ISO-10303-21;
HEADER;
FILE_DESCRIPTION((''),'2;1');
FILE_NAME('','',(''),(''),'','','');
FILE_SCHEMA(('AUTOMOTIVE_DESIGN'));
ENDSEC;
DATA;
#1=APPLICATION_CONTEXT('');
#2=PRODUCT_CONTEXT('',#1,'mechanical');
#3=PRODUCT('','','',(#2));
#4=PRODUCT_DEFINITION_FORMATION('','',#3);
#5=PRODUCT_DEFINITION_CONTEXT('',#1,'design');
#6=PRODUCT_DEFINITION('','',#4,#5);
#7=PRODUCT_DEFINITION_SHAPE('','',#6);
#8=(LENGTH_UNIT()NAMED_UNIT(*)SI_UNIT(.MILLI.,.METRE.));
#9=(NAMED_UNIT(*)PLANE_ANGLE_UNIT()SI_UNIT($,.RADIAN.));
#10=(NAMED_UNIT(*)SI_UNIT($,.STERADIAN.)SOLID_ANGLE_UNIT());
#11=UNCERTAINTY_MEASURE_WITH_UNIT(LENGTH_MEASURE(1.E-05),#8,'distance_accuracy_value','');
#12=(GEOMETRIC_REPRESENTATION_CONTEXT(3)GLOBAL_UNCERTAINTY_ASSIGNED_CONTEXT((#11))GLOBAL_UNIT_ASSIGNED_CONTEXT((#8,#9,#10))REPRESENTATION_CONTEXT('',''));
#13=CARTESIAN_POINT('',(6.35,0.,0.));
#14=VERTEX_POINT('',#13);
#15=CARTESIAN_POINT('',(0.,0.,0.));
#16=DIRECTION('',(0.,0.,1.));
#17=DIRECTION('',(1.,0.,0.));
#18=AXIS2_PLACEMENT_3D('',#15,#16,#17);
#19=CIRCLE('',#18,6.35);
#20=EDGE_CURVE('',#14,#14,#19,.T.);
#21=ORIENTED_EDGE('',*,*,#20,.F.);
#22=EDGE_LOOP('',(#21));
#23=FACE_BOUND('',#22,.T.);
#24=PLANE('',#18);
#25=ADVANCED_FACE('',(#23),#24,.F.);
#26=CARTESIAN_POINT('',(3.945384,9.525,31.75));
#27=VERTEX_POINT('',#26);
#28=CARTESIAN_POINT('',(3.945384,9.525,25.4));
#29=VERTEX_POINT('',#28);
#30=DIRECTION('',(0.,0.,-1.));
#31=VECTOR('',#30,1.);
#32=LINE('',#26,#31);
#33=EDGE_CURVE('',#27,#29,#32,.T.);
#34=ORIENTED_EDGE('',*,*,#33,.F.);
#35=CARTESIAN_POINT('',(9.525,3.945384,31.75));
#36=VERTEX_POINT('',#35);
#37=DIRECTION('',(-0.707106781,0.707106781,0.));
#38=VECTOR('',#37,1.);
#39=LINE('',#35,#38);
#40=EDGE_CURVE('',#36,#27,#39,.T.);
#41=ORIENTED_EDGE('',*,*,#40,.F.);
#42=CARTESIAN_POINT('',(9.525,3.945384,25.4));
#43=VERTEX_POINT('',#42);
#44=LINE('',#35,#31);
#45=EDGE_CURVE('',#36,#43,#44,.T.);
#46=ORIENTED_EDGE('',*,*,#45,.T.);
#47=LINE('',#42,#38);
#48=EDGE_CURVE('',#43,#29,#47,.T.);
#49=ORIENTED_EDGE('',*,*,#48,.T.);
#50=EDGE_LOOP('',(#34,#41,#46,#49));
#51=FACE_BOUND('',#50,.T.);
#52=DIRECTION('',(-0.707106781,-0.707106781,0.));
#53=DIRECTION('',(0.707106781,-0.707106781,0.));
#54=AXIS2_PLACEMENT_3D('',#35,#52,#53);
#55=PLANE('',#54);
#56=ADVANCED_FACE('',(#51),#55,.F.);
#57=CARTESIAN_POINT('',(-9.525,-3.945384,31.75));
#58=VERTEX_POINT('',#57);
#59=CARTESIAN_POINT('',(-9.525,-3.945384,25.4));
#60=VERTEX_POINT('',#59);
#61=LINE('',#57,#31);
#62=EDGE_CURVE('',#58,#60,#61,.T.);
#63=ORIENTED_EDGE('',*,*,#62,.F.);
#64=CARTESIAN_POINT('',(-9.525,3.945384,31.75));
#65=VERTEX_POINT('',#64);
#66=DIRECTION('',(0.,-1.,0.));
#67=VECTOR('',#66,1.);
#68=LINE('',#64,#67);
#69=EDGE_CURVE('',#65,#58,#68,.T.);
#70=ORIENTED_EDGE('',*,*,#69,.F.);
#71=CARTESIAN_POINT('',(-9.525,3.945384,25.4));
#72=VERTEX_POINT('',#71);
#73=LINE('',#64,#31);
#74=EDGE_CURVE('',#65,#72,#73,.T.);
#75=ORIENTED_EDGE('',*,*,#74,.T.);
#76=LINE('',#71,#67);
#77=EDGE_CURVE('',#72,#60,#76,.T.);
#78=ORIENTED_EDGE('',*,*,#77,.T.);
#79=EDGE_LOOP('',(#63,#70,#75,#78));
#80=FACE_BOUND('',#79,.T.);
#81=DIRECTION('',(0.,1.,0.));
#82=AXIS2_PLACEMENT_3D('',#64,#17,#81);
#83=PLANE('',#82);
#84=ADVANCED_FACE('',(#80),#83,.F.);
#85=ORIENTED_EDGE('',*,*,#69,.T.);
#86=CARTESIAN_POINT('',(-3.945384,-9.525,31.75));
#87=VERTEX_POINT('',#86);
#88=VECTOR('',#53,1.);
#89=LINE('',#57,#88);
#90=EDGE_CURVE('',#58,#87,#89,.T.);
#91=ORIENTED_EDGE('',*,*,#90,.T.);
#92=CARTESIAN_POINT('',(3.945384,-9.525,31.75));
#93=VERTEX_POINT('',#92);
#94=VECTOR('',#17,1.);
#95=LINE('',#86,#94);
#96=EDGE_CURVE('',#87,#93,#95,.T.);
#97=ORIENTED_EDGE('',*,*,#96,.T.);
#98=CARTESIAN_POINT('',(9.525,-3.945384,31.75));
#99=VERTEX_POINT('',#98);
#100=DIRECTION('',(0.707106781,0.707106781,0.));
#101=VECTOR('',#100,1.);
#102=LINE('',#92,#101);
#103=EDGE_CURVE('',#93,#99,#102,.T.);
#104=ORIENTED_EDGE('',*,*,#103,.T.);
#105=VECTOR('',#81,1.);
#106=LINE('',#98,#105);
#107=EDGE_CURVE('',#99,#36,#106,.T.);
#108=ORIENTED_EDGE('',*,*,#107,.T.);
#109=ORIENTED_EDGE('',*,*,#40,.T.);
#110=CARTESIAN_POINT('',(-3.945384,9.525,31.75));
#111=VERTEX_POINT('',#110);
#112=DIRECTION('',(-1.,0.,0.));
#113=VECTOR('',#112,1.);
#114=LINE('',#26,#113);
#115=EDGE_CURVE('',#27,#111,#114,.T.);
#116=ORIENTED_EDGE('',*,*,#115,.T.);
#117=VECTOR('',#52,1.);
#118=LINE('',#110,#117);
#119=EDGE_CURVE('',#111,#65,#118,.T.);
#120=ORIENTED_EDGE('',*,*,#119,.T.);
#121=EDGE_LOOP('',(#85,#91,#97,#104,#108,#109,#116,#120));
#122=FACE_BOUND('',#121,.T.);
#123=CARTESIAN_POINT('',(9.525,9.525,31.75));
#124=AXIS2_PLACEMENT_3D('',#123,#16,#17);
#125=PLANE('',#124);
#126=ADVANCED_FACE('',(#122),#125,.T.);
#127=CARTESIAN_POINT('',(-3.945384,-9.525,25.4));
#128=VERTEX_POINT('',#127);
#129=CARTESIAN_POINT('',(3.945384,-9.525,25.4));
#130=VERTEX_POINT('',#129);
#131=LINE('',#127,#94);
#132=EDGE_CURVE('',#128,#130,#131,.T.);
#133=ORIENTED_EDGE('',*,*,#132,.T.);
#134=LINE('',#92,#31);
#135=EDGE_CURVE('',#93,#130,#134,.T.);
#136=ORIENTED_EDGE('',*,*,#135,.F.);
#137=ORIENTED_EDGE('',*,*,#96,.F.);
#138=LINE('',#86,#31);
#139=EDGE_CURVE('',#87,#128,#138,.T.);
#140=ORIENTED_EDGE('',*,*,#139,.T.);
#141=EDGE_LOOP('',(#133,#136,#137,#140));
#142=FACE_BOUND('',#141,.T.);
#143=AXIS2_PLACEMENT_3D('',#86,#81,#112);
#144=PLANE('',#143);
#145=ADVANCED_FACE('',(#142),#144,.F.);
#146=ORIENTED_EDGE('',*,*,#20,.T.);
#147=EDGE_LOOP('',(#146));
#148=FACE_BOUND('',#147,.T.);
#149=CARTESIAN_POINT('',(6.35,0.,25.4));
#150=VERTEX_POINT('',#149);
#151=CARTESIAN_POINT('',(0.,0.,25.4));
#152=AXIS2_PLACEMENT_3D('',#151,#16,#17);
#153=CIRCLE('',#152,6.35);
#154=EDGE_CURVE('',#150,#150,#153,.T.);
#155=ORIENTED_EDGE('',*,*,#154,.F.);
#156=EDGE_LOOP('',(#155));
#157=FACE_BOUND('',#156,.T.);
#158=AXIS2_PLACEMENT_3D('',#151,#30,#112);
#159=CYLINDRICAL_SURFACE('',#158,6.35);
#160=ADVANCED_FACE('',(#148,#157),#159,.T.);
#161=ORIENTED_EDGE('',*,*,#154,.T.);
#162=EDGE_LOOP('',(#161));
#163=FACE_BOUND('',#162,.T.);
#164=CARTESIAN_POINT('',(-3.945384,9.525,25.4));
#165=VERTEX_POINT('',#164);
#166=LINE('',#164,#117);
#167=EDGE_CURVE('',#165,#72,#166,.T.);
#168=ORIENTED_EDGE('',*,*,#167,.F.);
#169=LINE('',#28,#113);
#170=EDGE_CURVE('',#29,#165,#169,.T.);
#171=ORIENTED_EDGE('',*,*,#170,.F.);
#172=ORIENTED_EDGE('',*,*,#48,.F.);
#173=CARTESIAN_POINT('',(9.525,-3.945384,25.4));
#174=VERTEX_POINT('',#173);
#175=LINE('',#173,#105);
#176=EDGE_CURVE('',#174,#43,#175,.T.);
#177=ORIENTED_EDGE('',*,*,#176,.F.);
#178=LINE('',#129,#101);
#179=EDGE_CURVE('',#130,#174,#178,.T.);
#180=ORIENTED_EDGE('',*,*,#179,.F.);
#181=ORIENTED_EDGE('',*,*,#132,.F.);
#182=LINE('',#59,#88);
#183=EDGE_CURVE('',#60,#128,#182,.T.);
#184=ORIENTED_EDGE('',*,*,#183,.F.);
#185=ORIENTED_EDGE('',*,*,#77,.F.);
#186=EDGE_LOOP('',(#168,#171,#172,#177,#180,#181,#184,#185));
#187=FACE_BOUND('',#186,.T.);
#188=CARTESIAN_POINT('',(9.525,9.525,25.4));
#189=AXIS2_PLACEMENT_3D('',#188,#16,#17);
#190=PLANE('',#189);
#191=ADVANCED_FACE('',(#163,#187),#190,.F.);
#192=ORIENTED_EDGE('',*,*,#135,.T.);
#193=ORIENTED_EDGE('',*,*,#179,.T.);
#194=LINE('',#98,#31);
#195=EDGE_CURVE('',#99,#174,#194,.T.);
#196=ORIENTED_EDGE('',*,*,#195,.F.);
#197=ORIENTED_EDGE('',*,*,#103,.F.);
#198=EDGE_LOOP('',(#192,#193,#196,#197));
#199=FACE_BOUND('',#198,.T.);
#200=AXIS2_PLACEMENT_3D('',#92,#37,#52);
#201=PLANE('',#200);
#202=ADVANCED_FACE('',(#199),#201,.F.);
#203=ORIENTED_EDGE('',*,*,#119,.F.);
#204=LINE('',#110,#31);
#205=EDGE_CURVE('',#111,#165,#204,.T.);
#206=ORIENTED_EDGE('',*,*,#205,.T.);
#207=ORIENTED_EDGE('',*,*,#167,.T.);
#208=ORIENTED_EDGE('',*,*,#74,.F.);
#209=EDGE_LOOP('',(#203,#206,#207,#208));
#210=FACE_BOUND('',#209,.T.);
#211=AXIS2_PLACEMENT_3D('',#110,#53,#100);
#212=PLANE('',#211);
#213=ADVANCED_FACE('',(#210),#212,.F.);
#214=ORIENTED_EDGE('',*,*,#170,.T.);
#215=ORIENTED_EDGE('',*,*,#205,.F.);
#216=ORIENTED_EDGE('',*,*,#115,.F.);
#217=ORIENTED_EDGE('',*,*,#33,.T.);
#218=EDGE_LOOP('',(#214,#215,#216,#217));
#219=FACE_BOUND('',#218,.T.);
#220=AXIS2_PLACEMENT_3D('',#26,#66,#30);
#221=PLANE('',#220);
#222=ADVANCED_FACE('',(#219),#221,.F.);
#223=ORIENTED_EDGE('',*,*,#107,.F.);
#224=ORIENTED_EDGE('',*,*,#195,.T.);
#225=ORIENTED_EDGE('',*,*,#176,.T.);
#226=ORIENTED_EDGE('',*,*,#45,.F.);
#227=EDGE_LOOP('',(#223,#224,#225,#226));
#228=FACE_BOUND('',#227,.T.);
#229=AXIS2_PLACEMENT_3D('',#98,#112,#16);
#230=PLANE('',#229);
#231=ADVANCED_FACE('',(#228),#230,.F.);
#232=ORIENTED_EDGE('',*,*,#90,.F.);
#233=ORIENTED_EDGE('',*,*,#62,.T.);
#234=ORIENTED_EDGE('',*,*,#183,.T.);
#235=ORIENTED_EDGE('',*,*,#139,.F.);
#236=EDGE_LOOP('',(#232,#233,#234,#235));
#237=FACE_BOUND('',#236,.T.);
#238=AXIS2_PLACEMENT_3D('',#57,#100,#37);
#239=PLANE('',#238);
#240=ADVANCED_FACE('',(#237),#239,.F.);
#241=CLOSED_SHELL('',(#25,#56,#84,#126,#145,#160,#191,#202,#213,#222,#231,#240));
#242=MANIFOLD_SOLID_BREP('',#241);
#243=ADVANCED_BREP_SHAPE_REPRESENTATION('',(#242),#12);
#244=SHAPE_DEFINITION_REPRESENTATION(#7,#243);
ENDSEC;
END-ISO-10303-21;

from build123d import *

# Parameters (mm, degrees)
ESQUISSE1_R        = 6.35
BOSS_EXTRU_1_DEPTH = 25.4
BOSS_EXTRU_2_DEPTH = 6.35


with BuildPart() as part:
    # Esquisse1 → Boss.-Extru.1 (new body)
    with BuildSketch(Plane.XY):
        Circle(ESQUISSE1_R)
    extrude(amount=BOSS_EXTRU_1_DEPTH)

    # Esquisse2 → Boss.-Extru.2 (add)
    with BuildSketch(Plane.XY.offset(25.4)):
        Polygon((9.525, 3.945384182), (3.945384182, 9.525), (-3.945384182, 9.525), (-9.525, 3.945384182), (-9.525, -3.945384182), (-3.945384182, -9.525), (3.945384182, -9.525), (9.525, -3.945384182), align=None)
    extrude(amount=BOSS_EXTRU_2_DEPTH)


solid = part.part
